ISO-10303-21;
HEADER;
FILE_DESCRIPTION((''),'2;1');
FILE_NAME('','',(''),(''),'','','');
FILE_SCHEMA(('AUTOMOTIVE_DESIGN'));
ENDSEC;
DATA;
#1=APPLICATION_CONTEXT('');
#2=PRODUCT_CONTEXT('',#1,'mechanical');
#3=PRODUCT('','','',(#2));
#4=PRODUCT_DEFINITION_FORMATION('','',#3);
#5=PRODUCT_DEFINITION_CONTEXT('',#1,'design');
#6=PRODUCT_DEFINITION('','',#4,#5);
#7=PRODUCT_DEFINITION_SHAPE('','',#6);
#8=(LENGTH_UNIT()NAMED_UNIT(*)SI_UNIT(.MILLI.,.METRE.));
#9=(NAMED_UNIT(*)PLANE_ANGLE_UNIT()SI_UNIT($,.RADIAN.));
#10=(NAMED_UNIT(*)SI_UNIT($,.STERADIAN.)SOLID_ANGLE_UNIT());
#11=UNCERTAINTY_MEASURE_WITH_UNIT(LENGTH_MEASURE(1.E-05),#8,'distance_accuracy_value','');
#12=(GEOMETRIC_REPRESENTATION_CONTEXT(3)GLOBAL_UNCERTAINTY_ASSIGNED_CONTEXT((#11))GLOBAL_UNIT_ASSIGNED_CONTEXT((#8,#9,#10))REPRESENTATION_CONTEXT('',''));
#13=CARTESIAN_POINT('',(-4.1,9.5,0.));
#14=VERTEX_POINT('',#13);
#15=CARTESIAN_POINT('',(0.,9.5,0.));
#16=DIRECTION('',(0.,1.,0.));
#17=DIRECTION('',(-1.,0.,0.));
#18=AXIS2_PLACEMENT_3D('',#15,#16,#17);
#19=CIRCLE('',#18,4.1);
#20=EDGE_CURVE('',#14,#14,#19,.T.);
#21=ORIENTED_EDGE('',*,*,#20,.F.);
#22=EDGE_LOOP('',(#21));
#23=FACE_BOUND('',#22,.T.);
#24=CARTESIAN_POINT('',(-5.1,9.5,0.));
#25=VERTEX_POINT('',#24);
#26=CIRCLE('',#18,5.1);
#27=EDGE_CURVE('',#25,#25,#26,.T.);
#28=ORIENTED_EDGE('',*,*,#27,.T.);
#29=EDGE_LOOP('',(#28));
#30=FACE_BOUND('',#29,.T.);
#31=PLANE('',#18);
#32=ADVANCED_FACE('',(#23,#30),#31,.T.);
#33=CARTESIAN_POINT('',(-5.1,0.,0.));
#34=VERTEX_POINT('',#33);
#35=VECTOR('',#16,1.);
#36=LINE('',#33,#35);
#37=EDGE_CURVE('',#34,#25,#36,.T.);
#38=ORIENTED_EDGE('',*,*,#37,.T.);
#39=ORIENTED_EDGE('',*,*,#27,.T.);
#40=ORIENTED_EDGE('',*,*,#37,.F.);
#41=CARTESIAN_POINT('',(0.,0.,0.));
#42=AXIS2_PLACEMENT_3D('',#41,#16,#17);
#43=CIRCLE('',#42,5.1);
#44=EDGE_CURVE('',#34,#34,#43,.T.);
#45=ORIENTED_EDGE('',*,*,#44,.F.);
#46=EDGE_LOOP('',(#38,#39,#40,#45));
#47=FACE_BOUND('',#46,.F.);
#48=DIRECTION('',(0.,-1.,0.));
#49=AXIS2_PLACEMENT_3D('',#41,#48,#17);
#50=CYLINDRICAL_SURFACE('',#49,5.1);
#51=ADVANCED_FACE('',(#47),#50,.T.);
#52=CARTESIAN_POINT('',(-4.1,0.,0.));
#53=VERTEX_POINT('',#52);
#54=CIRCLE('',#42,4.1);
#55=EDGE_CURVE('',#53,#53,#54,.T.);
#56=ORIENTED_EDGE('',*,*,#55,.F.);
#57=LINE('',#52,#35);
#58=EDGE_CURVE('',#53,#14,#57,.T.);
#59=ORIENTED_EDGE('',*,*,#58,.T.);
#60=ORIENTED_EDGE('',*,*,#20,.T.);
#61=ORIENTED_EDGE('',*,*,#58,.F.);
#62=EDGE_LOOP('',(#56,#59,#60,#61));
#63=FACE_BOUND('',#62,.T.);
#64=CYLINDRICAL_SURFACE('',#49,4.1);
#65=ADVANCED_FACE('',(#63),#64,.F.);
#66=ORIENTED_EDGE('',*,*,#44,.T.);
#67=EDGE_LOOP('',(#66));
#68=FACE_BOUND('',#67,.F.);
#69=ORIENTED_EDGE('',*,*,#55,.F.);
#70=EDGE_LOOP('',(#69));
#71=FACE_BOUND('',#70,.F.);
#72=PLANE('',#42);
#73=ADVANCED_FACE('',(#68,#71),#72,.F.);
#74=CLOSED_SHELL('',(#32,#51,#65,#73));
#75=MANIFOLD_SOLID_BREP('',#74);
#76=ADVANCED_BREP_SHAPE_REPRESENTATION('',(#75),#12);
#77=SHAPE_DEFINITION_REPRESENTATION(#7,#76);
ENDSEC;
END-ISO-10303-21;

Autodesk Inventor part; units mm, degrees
ref_plane "YZ Plane" through (0, 0, 0) normal (1, 0, 0) x (0, 1, 0)
ref_plane "XZ Plane" through (0, 0, 0) normal (0, 1, 0) x (-1, 0, 0)
ref_plane "XY Plane" through (0, 0, 0) normal (0, 0, 1) x (1, 0, 0)
sketch "Boceto1" plane through (0, 0, 0) normal (0, 1, 0) x (-1, 0, 0)
  circle A0 centre (0, 0) radius 4.1
  circle A1 centre (0, 0) radius 5.1
  dimension "d0" = 8.2
  dimension "d1" = 10.2
extrude "Extrusión1" add sketch "Boceto1" along normal blind 9.5
properties part number "Buje 1 para UPN" material "Plastico PETG"
